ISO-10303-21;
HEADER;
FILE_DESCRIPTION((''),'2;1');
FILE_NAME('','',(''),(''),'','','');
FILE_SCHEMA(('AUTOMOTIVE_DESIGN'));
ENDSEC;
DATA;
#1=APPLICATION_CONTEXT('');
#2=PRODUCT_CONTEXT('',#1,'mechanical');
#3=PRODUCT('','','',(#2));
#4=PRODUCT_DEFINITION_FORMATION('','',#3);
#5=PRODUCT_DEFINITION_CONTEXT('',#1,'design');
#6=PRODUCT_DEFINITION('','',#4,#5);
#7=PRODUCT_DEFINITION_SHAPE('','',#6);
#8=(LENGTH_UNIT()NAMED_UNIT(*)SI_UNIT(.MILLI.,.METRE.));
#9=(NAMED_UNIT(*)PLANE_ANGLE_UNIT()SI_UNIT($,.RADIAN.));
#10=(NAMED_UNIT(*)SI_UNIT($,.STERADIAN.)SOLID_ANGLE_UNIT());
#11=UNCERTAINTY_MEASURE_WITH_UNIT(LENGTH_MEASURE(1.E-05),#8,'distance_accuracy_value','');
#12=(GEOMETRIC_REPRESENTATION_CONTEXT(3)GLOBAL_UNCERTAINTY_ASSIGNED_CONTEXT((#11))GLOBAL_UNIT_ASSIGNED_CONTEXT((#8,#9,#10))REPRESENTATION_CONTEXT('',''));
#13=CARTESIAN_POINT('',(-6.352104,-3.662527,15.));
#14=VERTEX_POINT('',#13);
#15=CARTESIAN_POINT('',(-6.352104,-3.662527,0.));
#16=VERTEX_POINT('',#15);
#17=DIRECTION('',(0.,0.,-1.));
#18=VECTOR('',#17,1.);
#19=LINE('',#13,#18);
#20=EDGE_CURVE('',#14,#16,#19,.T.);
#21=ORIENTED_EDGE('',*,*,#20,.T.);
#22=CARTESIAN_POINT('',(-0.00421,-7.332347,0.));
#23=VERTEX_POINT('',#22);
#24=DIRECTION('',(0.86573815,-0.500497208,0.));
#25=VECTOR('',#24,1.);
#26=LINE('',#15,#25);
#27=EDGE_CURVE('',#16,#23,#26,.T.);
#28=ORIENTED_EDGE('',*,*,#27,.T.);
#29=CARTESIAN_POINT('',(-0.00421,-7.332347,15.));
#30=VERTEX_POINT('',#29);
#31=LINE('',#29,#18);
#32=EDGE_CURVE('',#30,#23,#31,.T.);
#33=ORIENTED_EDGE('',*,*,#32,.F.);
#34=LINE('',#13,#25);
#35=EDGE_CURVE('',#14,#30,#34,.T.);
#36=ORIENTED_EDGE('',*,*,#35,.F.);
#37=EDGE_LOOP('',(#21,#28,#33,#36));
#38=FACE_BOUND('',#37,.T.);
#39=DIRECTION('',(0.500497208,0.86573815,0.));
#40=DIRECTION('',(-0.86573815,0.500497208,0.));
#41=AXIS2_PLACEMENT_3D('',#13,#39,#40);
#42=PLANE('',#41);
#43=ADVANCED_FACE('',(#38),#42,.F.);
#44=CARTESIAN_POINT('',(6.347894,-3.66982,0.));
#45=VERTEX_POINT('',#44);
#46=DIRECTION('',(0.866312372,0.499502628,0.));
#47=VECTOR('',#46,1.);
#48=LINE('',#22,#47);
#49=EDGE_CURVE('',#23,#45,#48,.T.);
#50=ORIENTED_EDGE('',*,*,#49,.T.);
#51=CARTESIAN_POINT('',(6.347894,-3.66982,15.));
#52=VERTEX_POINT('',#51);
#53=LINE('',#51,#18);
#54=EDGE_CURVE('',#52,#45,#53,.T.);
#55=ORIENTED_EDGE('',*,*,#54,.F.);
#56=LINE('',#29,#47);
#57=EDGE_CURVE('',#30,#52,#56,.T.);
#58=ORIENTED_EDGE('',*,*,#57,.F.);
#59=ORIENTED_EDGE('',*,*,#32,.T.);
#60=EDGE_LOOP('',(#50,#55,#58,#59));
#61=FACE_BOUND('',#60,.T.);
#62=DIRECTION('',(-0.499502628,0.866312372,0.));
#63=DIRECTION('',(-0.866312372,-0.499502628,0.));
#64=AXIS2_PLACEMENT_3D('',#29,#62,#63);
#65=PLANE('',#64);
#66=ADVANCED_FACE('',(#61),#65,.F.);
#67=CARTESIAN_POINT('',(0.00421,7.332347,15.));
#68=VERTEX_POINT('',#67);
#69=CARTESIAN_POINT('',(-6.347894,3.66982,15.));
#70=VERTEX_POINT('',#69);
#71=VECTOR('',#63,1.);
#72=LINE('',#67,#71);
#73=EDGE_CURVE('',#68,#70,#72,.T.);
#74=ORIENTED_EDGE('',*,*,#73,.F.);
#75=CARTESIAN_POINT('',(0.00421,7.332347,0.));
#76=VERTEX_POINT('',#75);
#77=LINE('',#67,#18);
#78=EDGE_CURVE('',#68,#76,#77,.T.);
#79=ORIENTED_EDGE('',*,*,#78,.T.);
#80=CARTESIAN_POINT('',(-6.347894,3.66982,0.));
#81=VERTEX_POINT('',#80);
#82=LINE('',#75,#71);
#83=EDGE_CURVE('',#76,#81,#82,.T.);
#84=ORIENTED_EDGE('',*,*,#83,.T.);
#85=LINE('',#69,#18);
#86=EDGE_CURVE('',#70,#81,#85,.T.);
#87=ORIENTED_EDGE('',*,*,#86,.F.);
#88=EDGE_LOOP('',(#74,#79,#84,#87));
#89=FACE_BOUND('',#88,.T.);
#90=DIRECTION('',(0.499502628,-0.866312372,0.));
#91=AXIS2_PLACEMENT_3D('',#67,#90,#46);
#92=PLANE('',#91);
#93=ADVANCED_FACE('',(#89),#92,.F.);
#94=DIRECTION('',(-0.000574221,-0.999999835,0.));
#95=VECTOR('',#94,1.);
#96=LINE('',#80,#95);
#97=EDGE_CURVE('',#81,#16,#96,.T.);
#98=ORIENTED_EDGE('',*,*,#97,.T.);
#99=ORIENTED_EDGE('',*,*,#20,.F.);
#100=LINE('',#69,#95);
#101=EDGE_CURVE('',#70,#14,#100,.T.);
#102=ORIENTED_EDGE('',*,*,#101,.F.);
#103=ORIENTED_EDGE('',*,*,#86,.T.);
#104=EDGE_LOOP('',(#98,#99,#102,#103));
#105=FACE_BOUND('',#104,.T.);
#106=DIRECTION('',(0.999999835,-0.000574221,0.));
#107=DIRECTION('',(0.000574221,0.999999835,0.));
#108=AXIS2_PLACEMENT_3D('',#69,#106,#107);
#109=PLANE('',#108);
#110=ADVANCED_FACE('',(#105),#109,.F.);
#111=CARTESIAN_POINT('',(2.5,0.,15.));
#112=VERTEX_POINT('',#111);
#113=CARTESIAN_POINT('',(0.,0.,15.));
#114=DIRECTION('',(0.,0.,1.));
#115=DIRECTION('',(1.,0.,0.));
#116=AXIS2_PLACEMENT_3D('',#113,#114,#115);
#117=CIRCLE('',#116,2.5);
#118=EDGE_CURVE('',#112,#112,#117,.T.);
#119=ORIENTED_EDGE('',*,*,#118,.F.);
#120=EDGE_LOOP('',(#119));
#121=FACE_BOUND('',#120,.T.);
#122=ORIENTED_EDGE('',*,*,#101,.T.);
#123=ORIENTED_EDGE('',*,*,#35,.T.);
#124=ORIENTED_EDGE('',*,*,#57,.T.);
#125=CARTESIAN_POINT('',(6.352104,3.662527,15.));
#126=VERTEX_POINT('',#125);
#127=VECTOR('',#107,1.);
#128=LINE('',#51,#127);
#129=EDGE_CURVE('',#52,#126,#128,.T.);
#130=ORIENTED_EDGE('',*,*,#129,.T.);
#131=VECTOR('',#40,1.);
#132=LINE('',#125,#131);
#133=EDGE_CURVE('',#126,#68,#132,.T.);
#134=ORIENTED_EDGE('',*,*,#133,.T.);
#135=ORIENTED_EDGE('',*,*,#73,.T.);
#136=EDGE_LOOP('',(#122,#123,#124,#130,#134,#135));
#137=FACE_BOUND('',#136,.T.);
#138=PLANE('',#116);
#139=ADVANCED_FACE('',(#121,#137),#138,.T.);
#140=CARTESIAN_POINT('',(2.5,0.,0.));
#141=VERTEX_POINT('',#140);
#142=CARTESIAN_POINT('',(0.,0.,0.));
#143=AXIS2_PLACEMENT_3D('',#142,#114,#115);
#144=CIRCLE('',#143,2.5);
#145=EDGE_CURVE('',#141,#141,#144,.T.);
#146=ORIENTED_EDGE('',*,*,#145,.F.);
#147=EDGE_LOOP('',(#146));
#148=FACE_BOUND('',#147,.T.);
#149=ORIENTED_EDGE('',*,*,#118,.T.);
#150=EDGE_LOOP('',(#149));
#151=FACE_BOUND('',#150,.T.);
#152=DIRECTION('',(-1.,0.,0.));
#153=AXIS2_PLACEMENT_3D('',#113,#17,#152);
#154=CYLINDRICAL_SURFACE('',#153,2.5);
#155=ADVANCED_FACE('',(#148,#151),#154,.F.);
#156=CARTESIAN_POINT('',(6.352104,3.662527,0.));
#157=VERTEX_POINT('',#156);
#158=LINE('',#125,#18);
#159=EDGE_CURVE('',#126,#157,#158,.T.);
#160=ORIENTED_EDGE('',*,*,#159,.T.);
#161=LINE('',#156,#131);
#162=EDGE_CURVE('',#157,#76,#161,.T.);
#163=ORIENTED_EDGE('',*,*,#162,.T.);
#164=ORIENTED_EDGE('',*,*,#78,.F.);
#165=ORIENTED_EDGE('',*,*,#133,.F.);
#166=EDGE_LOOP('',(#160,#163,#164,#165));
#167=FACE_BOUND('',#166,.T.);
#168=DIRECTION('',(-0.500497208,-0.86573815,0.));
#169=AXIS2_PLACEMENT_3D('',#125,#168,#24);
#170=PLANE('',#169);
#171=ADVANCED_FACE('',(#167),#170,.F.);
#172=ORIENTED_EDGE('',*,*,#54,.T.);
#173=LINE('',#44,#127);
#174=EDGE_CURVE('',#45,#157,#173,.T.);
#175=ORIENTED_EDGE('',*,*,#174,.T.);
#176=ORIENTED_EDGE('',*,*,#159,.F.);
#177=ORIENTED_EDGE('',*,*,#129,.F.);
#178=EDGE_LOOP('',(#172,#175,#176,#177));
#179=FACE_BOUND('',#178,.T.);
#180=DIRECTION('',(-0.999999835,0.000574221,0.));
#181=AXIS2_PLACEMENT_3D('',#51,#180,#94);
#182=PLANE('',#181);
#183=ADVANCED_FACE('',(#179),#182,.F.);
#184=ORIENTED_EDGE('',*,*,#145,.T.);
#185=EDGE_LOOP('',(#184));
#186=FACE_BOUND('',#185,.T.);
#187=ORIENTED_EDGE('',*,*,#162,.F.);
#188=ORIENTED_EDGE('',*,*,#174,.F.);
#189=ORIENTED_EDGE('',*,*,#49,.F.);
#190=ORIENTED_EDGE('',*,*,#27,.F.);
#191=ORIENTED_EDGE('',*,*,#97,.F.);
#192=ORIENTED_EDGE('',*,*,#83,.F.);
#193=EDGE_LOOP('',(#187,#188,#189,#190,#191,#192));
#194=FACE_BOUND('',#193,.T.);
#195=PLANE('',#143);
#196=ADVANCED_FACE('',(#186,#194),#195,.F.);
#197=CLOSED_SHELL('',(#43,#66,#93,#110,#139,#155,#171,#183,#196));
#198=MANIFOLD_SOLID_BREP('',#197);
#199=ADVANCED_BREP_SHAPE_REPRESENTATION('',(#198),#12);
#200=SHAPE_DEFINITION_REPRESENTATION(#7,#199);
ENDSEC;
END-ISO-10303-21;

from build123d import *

# Parameters (mm, degrees)
CROQUIS1_R              = 2.5
SALIENTE_EXTRUIR1_DEPTH = 15


with BuildPart() as part:
    # Croquis1 → Saliente-Extruir1 (new body)
    with BuildSketch(Plane.XY):
        Polygon((6.347893759, -3.669819908), (6.352104147, 3.662527301), (0.004210389, 7.33234721), (-6.347893759, 3.669819908), (-6.352104147, -3.662527301), (-0.004210389, -7.33234721), align=None)
        Circle(CROQUIS1_R, mode=Mode.SUBTRACT)
    extrude(amount=SALIENTE_EXTRUIR1_DEPTH)


solid = part.part
